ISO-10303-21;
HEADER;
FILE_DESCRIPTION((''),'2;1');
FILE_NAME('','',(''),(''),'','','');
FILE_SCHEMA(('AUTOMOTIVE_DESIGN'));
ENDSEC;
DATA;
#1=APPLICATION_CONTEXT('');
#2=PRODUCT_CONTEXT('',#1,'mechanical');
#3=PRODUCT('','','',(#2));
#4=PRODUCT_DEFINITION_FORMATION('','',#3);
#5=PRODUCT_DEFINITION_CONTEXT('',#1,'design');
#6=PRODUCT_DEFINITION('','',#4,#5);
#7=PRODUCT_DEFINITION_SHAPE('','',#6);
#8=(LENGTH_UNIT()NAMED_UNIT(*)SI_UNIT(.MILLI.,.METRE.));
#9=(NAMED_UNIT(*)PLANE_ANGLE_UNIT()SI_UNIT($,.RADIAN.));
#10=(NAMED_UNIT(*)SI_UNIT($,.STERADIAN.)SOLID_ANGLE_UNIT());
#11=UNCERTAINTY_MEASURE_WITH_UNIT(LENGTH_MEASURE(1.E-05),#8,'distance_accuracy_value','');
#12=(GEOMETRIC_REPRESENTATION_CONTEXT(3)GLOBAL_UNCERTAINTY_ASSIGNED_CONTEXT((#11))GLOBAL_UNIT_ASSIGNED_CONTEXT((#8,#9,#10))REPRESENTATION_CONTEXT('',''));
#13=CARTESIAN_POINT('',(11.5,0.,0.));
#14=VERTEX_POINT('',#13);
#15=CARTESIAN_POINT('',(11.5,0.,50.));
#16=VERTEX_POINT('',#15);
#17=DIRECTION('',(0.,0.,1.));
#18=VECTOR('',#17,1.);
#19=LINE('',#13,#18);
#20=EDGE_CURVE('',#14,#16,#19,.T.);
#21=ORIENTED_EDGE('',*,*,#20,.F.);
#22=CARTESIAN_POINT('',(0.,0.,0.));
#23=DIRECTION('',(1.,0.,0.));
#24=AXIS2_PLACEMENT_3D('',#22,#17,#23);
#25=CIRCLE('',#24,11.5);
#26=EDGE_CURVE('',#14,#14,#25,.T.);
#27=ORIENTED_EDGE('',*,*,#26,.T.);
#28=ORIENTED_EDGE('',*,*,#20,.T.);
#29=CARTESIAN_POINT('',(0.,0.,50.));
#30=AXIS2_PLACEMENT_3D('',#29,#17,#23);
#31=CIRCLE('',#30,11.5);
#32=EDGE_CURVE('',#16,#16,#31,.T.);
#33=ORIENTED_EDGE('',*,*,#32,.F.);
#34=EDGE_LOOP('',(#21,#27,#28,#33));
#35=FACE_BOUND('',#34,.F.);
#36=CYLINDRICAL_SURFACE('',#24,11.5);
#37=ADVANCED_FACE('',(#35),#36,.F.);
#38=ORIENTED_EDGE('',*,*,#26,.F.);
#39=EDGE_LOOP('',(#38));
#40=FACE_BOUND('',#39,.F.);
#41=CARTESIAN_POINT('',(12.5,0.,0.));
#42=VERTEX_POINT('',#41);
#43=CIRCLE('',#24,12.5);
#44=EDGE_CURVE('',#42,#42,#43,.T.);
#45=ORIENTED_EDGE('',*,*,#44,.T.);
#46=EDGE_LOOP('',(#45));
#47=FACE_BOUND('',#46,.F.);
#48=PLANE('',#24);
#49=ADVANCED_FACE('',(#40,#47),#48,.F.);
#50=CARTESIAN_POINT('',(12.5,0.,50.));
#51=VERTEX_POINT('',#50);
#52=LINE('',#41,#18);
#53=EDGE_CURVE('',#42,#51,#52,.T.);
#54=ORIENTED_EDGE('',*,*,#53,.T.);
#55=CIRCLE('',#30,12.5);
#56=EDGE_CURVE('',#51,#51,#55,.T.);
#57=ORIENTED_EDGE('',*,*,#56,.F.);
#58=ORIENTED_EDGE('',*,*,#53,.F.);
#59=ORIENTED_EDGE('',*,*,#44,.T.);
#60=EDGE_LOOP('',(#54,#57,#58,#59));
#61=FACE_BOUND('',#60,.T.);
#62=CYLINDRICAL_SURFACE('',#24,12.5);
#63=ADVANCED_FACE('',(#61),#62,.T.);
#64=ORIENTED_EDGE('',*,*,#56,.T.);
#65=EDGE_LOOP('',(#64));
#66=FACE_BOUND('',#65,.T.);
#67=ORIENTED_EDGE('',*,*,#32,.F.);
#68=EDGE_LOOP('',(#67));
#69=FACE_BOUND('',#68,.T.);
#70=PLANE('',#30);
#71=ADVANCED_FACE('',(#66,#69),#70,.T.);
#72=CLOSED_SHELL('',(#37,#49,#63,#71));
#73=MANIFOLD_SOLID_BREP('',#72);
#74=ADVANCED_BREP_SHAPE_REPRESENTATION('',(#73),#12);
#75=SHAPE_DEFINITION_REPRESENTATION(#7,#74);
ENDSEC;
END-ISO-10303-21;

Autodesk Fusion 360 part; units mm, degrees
cylinder "Grundkörper Zylinder1" add diameter 25 height 50 placed x (1, 0, 0) y (0, 1, 0) z (0, 0, 1) at (0, 0, 0)
shell "Schale1" thickness 1 removed faces 2 at (-3.3879, -0.621, 50) at (-3.3879, -0.621, 0)
